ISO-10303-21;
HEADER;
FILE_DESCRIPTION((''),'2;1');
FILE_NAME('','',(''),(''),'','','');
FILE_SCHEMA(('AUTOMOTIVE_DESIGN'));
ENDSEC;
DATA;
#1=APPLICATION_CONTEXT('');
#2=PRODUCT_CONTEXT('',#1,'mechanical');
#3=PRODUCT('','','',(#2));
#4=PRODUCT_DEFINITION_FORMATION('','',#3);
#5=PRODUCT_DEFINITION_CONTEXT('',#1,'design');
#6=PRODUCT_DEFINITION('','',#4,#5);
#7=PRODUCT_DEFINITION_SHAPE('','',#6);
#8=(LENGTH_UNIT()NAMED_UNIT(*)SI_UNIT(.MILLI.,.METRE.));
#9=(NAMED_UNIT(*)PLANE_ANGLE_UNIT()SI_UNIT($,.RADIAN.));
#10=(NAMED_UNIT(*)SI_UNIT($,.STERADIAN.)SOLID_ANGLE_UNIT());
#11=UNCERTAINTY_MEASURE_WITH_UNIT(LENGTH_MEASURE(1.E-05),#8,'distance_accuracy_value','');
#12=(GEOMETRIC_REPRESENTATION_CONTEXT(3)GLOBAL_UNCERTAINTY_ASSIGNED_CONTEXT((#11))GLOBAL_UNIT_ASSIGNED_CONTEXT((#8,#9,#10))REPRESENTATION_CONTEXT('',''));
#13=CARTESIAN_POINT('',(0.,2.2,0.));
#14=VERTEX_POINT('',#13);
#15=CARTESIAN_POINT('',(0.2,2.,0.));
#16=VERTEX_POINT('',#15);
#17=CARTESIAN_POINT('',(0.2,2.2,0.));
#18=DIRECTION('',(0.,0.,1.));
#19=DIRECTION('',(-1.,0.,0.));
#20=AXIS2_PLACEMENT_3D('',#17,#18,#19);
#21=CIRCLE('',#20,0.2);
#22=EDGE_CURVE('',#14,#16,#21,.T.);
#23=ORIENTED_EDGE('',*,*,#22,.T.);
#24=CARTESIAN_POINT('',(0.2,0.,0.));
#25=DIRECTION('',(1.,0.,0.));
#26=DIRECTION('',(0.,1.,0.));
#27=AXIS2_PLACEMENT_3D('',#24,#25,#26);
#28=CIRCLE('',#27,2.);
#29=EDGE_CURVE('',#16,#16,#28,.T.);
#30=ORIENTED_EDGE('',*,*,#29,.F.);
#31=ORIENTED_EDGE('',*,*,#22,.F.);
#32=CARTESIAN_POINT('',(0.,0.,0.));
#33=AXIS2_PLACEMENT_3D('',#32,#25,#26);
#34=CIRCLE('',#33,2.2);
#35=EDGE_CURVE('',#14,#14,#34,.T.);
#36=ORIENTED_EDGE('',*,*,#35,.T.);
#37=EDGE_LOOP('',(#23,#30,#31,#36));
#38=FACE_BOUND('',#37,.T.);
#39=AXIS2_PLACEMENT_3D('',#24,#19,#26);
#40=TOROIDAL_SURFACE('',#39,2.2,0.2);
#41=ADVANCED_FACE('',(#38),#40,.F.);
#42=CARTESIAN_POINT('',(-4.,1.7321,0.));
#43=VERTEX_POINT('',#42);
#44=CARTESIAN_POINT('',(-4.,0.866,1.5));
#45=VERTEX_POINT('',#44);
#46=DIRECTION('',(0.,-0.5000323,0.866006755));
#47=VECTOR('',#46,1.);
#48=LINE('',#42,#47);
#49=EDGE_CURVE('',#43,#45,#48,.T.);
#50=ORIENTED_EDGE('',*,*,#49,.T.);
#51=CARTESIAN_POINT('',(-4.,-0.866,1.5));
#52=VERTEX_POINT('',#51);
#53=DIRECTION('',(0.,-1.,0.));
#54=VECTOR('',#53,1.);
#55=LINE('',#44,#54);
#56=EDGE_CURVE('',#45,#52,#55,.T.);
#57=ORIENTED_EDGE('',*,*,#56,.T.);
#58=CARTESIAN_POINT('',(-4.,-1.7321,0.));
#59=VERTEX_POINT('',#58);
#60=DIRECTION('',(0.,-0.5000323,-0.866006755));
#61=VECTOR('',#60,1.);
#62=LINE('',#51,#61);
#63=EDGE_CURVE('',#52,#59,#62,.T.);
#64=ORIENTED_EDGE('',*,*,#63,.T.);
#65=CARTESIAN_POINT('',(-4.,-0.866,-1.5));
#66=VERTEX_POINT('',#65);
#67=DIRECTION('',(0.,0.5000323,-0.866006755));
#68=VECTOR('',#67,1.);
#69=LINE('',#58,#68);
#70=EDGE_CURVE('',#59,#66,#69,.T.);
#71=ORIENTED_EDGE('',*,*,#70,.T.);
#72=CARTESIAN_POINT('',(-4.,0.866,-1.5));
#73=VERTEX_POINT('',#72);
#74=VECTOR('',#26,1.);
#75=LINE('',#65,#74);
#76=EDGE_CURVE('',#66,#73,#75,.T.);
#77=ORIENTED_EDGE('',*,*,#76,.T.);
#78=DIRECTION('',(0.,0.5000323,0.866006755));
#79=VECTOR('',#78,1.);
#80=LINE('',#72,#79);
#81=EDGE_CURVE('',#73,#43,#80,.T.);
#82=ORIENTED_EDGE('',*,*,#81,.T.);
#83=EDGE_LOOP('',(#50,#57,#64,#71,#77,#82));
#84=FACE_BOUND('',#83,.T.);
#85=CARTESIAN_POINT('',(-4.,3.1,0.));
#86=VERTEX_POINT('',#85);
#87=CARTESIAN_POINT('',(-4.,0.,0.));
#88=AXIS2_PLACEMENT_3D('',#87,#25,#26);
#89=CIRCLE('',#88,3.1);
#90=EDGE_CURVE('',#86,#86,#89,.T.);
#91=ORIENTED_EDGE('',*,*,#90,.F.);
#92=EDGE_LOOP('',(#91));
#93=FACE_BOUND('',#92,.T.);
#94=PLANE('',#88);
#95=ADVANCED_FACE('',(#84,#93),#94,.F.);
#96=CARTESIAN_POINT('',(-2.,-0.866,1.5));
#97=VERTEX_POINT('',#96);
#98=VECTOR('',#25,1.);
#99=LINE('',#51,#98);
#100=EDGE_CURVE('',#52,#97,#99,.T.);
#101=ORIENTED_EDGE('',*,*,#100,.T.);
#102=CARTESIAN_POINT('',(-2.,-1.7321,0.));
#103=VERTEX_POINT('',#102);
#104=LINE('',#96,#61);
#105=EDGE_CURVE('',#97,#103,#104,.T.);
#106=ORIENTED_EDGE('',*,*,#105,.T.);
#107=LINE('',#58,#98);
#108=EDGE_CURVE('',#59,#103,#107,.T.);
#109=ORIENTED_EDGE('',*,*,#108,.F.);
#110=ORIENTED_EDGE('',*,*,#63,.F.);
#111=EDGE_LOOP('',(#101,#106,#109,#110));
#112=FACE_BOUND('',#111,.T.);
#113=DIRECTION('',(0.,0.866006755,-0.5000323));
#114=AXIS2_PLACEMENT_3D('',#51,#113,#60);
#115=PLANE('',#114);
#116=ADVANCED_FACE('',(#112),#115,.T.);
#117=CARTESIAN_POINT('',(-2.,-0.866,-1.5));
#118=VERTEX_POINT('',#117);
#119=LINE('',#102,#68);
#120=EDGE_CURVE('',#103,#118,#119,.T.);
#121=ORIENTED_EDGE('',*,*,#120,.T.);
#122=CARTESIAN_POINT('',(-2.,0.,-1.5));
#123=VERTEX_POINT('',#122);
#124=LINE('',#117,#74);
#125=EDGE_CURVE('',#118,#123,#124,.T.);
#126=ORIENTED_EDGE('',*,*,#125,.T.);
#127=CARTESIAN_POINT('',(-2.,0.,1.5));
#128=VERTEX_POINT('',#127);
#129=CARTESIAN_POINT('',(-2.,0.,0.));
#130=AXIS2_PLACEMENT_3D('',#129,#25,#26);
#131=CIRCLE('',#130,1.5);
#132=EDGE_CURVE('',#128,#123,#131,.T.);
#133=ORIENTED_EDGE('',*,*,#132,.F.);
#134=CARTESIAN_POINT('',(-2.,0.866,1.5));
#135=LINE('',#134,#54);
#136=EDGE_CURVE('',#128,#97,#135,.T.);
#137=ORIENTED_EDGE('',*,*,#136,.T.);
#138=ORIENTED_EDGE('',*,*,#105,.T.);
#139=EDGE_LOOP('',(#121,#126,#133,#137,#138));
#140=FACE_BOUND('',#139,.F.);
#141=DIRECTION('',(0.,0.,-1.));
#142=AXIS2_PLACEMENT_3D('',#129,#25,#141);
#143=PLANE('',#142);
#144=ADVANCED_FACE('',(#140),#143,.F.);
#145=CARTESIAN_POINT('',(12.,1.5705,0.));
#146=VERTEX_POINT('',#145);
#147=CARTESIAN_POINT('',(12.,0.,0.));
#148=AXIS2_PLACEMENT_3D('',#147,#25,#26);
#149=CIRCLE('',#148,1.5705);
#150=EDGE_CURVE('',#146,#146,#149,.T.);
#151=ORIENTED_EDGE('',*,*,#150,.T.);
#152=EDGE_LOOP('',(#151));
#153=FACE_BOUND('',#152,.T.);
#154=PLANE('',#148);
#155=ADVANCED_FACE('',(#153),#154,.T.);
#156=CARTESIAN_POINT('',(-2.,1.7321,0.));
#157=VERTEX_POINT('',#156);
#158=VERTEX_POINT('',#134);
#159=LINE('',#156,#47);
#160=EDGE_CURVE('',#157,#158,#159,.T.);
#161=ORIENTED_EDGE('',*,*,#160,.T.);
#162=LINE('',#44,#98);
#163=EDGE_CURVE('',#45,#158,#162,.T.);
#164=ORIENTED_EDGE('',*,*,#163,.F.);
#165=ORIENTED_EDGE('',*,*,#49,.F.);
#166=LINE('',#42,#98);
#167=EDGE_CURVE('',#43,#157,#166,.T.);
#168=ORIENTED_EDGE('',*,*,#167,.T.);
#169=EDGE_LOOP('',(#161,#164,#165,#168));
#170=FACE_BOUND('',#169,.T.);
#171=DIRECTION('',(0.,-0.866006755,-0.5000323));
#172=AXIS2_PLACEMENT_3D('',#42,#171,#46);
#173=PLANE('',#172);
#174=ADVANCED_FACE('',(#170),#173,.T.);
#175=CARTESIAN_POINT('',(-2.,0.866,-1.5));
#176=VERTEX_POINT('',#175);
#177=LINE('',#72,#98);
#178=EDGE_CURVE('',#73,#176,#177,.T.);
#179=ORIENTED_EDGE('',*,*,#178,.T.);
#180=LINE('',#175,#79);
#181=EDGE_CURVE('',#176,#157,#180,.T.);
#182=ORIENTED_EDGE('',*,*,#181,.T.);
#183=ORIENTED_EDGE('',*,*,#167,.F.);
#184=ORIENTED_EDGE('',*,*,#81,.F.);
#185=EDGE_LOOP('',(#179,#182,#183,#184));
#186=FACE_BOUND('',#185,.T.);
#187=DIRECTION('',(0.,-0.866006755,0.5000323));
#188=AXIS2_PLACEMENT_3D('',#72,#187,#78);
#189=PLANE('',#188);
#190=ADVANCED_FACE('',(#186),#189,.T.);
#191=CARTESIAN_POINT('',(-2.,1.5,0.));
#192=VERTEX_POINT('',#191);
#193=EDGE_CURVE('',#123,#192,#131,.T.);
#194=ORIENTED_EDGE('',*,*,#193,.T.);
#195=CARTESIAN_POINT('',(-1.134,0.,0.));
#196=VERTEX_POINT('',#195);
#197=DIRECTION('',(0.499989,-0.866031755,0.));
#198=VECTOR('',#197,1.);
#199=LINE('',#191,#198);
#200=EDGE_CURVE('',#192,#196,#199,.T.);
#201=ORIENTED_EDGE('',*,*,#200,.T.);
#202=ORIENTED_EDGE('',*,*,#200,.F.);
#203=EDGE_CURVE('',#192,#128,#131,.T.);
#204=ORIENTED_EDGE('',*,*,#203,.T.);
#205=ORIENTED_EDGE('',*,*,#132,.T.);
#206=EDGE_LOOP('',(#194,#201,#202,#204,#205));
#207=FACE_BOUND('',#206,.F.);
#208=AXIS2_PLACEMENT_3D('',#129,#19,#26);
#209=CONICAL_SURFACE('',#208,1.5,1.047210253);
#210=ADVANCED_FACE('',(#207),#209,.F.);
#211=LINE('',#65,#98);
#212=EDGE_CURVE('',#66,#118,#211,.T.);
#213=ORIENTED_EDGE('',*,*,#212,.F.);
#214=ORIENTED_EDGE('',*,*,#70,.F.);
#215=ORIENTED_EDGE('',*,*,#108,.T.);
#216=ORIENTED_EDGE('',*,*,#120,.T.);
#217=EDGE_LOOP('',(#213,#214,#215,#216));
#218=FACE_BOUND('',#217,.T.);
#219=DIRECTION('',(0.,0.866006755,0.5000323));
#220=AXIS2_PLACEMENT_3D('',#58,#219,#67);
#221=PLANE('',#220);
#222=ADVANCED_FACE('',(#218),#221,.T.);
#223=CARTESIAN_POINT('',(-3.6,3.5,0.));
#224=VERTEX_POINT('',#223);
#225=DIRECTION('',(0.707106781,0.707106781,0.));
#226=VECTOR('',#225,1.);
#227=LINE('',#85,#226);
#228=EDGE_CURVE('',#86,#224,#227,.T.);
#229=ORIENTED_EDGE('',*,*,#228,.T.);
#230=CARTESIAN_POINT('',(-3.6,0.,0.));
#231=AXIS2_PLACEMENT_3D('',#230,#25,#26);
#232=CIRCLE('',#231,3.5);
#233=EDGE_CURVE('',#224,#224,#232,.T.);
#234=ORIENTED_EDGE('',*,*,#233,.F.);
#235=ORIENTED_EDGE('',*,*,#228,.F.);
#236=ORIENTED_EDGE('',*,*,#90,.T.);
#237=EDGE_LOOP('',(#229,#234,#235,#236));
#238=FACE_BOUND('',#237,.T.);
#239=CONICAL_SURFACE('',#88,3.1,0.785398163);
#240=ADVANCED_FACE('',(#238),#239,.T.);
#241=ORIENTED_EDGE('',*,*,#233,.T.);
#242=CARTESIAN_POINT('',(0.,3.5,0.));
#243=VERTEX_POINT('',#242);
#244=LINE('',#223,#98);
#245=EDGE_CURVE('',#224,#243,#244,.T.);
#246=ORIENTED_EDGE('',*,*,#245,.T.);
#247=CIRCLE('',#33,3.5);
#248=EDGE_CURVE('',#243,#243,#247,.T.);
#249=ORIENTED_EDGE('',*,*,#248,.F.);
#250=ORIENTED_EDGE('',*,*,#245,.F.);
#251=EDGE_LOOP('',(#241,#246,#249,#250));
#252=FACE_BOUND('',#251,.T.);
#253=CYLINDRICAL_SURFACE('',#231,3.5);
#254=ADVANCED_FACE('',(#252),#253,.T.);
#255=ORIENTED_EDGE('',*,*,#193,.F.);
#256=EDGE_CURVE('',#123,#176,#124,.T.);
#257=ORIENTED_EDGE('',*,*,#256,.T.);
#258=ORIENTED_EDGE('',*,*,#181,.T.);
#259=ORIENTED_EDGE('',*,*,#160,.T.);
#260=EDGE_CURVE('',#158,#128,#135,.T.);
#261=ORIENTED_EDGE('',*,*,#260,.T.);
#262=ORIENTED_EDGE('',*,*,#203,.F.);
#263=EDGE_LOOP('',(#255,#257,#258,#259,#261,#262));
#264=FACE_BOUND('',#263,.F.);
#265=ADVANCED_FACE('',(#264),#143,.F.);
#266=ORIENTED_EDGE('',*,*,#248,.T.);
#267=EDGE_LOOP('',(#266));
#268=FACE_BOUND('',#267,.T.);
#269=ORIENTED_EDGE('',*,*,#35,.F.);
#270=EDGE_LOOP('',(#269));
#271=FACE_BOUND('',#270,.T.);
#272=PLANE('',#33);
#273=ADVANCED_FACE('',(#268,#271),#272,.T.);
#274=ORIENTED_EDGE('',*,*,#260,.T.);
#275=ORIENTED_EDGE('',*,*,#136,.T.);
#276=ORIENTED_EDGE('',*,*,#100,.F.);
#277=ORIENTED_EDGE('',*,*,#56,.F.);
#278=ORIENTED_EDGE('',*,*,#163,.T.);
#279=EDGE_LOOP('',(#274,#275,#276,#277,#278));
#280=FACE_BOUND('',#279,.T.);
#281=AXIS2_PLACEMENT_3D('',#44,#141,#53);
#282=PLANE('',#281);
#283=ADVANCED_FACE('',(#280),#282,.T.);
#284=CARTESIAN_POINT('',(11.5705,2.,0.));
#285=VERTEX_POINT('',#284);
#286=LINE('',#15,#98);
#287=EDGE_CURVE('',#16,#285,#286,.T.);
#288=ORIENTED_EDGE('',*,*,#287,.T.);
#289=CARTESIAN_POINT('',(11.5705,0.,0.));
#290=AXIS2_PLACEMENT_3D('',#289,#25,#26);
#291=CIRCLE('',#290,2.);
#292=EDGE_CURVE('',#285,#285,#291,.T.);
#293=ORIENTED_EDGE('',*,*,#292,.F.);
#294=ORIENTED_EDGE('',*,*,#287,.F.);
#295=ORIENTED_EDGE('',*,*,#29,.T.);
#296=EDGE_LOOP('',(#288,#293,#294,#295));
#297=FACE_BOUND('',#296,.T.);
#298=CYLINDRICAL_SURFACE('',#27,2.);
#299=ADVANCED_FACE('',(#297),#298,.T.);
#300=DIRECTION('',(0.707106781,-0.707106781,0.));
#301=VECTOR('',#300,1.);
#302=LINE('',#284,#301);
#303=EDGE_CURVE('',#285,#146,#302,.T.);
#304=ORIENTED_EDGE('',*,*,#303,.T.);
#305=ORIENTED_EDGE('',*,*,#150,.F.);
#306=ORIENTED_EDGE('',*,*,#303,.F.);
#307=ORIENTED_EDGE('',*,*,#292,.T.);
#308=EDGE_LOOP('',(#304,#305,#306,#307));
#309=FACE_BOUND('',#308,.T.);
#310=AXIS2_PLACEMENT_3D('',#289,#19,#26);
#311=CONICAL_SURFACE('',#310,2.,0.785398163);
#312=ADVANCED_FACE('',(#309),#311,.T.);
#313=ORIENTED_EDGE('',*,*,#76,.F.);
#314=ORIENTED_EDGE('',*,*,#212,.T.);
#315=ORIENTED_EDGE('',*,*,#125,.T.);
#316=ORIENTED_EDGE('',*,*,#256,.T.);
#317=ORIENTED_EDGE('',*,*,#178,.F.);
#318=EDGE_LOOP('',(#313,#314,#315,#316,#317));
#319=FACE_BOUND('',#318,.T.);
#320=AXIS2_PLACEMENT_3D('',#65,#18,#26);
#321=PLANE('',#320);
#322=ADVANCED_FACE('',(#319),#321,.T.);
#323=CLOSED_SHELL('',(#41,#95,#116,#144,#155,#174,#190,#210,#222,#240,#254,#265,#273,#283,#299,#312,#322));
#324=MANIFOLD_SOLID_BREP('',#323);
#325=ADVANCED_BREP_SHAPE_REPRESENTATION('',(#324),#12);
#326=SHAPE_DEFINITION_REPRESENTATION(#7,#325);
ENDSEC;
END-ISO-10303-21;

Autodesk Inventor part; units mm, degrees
sketch "Sketch_1" plane through (0, 0, 0) normal (0, 0, 1) x (1, 0, 0)
  line L0 (12, 0) -> (-4, 0)
  line L1 (-4, 0) -> (-4, 3.1)
  line L2 (-4, 3.1) -> (-3.6, 3.5)
  line L3 (-3.6, 3.5) -> (0, 3.5)
  line L4 (0, 3.5) -> (0, 2.2)
  arc A0 (0, 2.2) -> (0.2, 2) centre (0.2, 2.2) ccw
  line L5 (0.2, 2) -> (11.5705, 2)
  line L6 (11.5705, 2) -> (12, 1.5705)
  line L7 (12, 1.5705) -> (12, 0)
  line L8 (12, 0) -> (-4, 0)
revolve "Revolution1" add sketch "Sketch_1" angle 360 about axis through (12, 0, 0) along (1, 0, 0)
thread "Thread1" size "M4x0.7" class "6g" standard "ISO Metric profile" length 10.714
sketch "Sketch_2" plane through (-4, 0, 0) normal (1, 0, 0) x (0, 0, -1)
  line L0 (-1.5, -0.866) -> (0, -1.7321)
  line L1 (0, -1.7321) -> (1.5, -0.866)
  line L2 (1.5, -0.866) -> (1.5, 0.866)
  line L3 (1.5, 0.866) -> (0, 1.7321)
  line L4 (0, 1.7321) -> (-1.5, 0.866)
  line L5 (-1.5, 0.866) -> (-1.5, -0.866)
extrude "Extrusion1" cut sketch "Sketch_2" along normal blind 2
sketch "Sketch_5" plane through (0, 0, 0) normal (0, 0, 1) x (1, 0, 0)
  line L0 (-1.134, 0) -> (-2, 0)
  line L1 (-2, 0) -> (-2, 1.5)
  line L2 (-2, 1.5) -> (-1.134, 0)
  line L3 (-1.134, 0) -> (-2, 0)
revolve "Revolution2" cut sketch "Sketch_5" angle 360 about axis through (-1.134, 0, 0) along (1, 0, 0)
ref_plane "SCW_XY" through (0, 0, 0) normal (1, 0, 0) x (0, 0, -1)
ref_plane "SCW_YZ" through (0, 0, 0) normal (0, 0, -1) x (0, 1, 0)
ref_plane "SCW_ZX" through (0, 0, 0) normal (0, 1, 0) x (1, 0, 0)
properties part number "M4-12_bo2"
